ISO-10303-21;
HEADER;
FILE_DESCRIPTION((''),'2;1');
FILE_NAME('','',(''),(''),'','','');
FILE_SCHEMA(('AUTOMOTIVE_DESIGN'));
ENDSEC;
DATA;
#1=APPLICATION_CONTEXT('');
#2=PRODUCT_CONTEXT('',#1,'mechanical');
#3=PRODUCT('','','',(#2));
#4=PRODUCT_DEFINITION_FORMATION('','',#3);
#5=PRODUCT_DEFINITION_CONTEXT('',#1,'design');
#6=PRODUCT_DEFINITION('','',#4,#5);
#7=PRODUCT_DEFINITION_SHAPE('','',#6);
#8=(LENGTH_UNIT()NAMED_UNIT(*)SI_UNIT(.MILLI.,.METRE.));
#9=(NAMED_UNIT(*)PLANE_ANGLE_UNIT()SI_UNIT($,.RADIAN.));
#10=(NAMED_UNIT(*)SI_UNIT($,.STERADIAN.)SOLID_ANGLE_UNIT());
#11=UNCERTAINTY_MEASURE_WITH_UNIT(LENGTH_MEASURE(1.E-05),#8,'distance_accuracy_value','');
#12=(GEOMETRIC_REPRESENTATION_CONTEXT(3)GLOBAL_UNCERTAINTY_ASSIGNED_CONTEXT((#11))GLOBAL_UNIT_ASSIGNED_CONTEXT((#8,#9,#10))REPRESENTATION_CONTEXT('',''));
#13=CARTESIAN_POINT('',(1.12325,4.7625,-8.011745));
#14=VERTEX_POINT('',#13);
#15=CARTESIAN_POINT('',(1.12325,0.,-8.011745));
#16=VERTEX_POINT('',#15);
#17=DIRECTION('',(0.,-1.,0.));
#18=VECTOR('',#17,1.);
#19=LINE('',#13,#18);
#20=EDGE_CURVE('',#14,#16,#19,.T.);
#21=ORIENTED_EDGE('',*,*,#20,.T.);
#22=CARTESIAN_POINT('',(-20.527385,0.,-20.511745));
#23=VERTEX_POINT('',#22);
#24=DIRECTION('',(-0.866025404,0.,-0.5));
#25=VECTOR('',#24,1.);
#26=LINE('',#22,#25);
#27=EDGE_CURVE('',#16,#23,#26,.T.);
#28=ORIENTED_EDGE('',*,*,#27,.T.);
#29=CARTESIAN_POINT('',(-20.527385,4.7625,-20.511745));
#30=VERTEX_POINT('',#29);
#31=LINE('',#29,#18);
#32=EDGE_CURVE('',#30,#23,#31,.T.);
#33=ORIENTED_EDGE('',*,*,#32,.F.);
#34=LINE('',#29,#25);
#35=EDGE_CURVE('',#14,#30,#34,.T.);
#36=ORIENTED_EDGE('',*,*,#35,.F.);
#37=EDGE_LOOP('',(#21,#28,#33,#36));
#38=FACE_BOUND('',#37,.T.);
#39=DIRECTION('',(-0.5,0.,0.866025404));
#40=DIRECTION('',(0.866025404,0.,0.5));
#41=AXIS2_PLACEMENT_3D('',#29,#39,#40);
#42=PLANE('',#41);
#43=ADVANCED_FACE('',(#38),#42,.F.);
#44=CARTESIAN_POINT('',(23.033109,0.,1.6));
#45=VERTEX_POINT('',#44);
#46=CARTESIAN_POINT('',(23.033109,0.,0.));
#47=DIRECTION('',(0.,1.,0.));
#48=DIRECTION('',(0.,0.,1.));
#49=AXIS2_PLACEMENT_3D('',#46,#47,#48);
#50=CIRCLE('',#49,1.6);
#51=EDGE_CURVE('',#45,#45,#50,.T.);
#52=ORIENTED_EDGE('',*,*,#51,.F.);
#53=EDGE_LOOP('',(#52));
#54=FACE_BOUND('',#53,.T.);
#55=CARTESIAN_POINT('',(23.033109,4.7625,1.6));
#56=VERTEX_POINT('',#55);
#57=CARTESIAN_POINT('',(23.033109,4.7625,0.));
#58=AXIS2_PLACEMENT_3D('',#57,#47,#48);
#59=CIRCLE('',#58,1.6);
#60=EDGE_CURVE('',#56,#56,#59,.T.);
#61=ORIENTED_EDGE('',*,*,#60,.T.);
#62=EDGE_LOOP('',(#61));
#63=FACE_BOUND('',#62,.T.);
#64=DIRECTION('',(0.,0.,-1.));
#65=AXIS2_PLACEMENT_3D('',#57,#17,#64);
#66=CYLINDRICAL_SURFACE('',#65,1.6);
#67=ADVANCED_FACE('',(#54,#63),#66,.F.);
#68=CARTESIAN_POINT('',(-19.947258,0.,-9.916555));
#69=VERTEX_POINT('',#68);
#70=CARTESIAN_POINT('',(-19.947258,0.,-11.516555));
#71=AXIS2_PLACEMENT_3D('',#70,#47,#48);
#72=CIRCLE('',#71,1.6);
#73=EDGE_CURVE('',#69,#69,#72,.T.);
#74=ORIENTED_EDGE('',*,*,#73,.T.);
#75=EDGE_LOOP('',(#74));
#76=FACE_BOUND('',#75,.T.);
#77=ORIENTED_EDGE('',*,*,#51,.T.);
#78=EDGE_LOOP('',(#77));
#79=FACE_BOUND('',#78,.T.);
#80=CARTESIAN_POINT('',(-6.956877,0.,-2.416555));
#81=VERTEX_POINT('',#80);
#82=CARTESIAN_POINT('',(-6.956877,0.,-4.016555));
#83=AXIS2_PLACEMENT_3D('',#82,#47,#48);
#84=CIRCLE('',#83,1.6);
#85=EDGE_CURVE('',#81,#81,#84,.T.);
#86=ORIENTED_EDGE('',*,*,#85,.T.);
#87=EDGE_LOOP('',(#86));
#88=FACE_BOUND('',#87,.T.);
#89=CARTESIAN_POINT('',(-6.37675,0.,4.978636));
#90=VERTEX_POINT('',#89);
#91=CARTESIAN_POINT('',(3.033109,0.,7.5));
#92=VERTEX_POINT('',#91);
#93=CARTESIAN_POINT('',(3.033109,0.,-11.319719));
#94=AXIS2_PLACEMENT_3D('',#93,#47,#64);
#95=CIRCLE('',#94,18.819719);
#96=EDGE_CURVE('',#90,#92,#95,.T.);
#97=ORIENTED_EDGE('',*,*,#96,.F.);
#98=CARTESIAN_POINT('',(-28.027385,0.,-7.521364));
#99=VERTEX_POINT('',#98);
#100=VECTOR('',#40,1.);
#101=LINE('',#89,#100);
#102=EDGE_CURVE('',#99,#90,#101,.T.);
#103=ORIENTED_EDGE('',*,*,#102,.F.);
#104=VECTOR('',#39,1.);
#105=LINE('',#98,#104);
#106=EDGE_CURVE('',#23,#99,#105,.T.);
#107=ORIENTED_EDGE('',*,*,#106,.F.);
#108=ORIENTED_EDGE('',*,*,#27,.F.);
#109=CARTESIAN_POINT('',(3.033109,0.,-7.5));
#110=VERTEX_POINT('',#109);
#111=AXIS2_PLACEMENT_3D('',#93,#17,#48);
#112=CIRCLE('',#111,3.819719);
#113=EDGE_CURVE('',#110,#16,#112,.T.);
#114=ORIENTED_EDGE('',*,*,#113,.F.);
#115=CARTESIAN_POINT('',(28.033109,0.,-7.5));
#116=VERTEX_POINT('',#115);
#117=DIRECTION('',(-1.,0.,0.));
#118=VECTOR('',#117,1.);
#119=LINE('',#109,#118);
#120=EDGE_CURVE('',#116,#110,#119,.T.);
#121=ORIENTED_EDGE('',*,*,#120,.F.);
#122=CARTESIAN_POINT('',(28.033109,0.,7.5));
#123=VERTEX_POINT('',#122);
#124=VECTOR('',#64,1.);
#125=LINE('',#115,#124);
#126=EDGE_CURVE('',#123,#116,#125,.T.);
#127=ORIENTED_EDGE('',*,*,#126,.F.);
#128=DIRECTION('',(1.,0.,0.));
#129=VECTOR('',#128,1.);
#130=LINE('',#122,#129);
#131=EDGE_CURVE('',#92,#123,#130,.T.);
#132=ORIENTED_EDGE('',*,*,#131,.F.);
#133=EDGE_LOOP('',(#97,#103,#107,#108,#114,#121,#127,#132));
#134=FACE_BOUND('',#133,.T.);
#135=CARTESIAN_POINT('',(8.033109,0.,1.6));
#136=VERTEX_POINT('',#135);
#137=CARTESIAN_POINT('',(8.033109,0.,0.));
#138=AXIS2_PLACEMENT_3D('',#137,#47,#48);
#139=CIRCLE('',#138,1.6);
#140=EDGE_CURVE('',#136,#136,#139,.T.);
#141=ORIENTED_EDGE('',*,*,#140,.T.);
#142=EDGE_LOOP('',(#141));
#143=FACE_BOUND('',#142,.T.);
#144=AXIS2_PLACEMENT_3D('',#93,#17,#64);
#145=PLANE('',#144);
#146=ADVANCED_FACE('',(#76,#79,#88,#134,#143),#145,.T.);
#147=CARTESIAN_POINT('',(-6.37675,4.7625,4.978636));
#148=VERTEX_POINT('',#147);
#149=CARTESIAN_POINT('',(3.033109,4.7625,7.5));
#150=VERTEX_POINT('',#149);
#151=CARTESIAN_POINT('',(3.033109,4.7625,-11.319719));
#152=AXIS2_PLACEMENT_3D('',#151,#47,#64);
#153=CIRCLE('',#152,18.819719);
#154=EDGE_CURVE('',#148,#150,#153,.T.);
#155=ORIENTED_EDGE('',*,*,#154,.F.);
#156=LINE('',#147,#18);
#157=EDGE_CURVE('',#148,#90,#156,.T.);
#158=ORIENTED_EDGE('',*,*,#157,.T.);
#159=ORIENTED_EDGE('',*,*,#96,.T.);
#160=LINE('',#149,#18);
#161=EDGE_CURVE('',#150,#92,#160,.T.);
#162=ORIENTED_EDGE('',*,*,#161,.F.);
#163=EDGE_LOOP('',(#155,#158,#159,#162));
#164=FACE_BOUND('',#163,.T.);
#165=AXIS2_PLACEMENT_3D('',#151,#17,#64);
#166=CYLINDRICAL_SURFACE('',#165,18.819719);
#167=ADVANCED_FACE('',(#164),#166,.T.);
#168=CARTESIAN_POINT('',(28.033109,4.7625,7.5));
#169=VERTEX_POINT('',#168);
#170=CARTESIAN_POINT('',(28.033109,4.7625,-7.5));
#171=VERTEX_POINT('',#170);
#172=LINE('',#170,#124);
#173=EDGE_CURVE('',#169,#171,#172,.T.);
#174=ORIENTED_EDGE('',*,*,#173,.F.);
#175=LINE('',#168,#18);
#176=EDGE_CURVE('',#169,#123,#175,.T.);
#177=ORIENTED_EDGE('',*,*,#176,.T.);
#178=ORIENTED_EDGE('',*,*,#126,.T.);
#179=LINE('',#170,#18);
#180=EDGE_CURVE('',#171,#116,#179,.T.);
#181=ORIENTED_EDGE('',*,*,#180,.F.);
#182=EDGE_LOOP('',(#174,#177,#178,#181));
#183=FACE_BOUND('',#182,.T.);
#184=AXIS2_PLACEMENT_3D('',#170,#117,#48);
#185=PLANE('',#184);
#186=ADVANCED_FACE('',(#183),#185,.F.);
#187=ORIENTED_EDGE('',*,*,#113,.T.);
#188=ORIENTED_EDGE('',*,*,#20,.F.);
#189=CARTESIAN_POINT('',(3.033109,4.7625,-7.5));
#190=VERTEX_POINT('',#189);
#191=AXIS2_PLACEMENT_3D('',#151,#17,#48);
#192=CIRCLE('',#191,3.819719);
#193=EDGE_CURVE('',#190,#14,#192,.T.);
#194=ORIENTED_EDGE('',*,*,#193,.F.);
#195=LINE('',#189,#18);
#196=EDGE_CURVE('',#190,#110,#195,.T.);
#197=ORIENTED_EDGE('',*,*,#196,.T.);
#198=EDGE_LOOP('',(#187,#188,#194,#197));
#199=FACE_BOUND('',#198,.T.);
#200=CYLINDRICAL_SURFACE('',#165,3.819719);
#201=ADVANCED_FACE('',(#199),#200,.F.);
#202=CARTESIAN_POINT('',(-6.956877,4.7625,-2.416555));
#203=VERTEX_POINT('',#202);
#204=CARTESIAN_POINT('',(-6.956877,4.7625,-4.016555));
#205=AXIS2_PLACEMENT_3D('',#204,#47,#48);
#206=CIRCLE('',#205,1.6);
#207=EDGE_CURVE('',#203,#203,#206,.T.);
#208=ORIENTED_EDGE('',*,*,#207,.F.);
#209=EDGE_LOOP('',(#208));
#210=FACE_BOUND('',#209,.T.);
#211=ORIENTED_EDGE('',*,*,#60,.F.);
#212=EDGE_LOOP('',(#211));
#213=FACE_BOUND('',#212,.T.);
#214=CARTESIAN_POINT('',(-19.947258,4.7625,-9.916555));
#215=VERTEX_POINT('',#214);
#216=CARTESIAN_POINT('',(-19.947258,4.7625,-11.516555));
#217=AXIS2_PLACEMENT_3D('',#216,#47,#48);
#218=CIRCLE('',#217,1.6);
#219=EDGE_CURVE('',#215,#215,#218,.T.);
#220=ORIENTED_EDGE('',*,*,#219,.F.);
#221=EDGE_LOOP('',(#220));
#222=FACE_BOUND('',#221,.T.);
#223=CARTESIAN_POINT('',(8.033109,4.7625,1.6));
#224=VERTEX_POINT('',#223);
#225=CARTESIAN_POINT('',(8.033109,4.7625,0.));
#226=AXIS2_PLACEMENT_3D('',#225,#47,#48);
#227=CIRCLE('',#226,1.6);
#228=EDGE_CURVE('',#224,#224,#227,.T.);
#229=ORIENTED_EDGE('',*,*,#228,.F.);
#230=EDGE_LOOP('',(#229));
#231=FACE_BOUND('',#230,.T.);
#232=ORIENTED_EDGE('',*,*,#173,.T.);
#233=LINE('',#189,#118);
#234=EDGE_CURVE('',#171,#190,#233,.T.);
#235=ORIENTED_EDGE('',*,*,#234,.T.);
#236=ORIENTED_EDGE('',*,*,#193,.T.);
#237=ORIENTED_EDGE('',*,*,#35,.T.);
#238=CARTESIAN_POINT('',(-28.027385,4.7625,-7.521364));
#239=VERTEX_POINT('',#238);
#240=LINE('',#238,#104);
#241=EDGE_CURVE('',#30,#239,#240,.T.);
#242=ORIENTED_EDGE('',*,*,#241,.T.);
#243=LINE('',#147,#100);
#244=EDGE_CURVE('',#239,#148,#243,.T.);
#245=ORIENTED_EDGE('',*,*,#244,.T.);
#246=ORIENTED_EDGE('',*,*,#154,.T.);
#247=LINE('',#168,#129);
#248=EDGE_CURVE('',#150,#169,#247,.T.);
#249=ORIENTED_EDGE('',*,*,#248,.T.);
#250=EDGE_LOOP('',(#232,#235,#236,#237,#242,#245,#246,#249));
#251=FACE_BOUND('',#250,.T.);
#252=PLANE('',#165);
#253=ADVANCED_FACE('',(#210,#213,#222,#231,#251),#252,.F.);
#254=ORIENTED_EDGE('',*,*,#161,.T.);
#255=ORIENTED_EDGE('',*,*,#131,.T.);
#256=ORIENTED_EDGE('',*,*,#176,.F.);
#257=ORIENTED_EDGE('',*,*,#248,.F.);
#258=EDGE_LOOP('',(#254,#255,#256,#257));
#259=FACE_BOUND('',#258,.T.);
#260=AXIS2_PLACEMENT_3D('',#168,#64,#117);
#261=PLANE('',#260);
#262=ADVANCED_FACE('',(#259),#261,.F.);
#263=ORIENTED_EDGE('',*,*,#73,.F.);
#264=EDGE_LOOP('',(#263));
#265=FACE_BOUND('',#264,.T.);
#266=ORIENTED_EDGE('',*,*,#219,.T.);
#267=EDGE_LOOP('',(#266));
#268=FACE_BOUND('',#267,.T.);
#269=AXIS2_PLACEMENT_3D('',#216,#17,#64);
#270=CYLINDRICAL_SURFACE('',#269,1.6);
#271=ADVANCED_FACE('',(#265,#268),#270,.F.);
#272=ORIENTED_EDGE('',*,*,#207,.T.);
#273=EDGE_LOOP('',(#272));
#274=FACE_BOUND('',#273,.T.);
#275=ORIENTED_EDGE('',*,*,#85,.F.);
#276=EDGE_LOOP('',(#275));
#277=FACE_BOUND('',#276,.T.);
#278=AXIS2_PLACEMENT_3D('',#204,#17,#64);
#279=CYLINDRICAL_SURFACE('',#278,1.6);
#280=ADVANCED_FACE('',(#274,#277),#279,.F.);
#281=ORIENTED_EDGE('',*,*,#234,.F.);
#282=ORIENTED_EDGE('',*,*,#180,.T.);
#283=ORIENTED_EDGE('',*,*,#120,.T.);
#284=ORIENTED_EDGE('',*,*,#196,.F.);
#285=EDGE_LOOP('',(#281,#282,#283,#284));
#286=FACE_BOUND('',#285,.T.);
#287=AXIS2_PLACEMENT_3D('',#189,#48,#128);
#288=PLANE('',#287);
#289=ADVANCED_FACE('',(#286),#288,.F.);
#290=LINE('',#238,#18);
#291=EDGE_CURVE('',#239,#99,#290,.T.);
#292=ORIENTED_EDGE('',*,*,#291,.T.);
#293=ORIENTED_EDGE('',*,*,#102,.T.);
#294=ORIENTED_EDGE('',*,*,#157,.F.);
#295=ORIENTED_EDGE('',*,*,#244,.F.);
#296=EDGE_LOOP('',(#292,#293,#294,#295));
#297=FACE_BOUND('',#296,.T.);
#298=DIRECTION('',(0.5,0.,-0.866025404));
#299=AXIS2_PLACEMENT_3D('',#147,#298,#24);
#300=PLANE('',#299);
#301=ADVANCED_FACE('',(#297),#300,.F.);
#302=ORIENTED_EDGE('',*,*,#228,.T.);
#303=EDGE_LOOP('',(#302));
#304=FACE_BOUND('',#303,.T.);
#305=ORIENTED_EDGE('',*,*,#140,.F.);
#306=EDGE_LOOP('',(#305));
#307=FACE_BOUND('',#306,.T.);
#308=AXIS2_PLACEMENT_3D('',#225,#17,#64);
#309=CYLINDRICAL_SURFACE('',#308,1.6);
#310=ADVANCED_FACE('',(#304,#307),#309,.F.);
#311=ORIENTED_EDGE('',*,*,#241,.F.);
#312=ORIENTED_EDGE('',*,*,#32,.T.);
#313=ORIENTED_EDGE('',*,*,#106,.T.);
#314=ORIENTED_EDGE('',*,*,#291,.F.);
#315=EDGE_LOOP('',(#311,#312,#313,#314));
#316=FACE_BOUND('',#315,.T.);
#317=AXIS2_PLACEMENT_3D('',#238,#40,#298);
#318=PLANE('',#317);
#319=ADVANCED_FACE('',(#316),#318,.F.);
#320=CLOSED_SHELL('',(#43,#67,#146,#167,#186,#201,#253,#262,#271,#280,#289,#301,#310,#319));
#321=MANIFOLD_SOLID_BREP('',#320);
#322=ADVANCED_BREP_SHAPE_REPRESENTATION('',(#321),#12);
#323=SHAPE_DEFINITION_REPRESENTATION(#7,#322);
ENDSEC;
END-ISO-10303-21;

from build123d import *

# Parameters (mm, degrees)
SKETCH1_R           = 1.6
BOSS_EXTRUDE1_DEPTH = 4.7625


with BuildPart() as part:
    # Sketch1 → Boss-Extrude1 (new body)
    with BuildSketch(Plane(origin=(0, 0, 0), x_dir=(1, 0, 0), z_dir=(0, 1, 0))):
        with BuildLine():
            Line((28.033109467, 7.5), (28.033109467, -7.5))
            Line((28.033109467, -7.5), (3.033109467, -7.5))
            ThreePointArc((3.033109467, -7.5), (-1.837792139, -6.858733638), (-6.376749851, -4.978635795))
            Line((-6.376749851, -4.978635795), (-28.027384945, 7.521364205))
            Line((-28.027384945, 7.521364205), (-20.527384945, 20.511745262))
            Line((-20.527384945, 20.511745262), (1.123250149, 8.011745262))
            ThreePointArc((1.123250149, 8.011745262), (2.044493537, 7.630153756), (3.033109467, 7.5))
            Line((3.033109467, 7.5), (28.033109467, 7.5))
        make_face()
        with Locations((23.033109467, 0)):
            Circle(SKETCH1_R, mode=Mode.SUBTRACT)
        with Locations((8.033109467, 0)):
            Circle(SKETCH1_R, mode=Mode.SUBTRACT)
        with Locations((-19.947257926, 11.516554733)):
            Circle(SKETCH1_R, mode=Mode.SUBTRACT)
        with Locations((-6.956876869, 4.016554733)):
            Circle(SKETCH1_R, mode=Mode.SUBTRACT)
    extrude(amount=BOSS_EXTRUDE1_DEPTH)


solid = part.part
